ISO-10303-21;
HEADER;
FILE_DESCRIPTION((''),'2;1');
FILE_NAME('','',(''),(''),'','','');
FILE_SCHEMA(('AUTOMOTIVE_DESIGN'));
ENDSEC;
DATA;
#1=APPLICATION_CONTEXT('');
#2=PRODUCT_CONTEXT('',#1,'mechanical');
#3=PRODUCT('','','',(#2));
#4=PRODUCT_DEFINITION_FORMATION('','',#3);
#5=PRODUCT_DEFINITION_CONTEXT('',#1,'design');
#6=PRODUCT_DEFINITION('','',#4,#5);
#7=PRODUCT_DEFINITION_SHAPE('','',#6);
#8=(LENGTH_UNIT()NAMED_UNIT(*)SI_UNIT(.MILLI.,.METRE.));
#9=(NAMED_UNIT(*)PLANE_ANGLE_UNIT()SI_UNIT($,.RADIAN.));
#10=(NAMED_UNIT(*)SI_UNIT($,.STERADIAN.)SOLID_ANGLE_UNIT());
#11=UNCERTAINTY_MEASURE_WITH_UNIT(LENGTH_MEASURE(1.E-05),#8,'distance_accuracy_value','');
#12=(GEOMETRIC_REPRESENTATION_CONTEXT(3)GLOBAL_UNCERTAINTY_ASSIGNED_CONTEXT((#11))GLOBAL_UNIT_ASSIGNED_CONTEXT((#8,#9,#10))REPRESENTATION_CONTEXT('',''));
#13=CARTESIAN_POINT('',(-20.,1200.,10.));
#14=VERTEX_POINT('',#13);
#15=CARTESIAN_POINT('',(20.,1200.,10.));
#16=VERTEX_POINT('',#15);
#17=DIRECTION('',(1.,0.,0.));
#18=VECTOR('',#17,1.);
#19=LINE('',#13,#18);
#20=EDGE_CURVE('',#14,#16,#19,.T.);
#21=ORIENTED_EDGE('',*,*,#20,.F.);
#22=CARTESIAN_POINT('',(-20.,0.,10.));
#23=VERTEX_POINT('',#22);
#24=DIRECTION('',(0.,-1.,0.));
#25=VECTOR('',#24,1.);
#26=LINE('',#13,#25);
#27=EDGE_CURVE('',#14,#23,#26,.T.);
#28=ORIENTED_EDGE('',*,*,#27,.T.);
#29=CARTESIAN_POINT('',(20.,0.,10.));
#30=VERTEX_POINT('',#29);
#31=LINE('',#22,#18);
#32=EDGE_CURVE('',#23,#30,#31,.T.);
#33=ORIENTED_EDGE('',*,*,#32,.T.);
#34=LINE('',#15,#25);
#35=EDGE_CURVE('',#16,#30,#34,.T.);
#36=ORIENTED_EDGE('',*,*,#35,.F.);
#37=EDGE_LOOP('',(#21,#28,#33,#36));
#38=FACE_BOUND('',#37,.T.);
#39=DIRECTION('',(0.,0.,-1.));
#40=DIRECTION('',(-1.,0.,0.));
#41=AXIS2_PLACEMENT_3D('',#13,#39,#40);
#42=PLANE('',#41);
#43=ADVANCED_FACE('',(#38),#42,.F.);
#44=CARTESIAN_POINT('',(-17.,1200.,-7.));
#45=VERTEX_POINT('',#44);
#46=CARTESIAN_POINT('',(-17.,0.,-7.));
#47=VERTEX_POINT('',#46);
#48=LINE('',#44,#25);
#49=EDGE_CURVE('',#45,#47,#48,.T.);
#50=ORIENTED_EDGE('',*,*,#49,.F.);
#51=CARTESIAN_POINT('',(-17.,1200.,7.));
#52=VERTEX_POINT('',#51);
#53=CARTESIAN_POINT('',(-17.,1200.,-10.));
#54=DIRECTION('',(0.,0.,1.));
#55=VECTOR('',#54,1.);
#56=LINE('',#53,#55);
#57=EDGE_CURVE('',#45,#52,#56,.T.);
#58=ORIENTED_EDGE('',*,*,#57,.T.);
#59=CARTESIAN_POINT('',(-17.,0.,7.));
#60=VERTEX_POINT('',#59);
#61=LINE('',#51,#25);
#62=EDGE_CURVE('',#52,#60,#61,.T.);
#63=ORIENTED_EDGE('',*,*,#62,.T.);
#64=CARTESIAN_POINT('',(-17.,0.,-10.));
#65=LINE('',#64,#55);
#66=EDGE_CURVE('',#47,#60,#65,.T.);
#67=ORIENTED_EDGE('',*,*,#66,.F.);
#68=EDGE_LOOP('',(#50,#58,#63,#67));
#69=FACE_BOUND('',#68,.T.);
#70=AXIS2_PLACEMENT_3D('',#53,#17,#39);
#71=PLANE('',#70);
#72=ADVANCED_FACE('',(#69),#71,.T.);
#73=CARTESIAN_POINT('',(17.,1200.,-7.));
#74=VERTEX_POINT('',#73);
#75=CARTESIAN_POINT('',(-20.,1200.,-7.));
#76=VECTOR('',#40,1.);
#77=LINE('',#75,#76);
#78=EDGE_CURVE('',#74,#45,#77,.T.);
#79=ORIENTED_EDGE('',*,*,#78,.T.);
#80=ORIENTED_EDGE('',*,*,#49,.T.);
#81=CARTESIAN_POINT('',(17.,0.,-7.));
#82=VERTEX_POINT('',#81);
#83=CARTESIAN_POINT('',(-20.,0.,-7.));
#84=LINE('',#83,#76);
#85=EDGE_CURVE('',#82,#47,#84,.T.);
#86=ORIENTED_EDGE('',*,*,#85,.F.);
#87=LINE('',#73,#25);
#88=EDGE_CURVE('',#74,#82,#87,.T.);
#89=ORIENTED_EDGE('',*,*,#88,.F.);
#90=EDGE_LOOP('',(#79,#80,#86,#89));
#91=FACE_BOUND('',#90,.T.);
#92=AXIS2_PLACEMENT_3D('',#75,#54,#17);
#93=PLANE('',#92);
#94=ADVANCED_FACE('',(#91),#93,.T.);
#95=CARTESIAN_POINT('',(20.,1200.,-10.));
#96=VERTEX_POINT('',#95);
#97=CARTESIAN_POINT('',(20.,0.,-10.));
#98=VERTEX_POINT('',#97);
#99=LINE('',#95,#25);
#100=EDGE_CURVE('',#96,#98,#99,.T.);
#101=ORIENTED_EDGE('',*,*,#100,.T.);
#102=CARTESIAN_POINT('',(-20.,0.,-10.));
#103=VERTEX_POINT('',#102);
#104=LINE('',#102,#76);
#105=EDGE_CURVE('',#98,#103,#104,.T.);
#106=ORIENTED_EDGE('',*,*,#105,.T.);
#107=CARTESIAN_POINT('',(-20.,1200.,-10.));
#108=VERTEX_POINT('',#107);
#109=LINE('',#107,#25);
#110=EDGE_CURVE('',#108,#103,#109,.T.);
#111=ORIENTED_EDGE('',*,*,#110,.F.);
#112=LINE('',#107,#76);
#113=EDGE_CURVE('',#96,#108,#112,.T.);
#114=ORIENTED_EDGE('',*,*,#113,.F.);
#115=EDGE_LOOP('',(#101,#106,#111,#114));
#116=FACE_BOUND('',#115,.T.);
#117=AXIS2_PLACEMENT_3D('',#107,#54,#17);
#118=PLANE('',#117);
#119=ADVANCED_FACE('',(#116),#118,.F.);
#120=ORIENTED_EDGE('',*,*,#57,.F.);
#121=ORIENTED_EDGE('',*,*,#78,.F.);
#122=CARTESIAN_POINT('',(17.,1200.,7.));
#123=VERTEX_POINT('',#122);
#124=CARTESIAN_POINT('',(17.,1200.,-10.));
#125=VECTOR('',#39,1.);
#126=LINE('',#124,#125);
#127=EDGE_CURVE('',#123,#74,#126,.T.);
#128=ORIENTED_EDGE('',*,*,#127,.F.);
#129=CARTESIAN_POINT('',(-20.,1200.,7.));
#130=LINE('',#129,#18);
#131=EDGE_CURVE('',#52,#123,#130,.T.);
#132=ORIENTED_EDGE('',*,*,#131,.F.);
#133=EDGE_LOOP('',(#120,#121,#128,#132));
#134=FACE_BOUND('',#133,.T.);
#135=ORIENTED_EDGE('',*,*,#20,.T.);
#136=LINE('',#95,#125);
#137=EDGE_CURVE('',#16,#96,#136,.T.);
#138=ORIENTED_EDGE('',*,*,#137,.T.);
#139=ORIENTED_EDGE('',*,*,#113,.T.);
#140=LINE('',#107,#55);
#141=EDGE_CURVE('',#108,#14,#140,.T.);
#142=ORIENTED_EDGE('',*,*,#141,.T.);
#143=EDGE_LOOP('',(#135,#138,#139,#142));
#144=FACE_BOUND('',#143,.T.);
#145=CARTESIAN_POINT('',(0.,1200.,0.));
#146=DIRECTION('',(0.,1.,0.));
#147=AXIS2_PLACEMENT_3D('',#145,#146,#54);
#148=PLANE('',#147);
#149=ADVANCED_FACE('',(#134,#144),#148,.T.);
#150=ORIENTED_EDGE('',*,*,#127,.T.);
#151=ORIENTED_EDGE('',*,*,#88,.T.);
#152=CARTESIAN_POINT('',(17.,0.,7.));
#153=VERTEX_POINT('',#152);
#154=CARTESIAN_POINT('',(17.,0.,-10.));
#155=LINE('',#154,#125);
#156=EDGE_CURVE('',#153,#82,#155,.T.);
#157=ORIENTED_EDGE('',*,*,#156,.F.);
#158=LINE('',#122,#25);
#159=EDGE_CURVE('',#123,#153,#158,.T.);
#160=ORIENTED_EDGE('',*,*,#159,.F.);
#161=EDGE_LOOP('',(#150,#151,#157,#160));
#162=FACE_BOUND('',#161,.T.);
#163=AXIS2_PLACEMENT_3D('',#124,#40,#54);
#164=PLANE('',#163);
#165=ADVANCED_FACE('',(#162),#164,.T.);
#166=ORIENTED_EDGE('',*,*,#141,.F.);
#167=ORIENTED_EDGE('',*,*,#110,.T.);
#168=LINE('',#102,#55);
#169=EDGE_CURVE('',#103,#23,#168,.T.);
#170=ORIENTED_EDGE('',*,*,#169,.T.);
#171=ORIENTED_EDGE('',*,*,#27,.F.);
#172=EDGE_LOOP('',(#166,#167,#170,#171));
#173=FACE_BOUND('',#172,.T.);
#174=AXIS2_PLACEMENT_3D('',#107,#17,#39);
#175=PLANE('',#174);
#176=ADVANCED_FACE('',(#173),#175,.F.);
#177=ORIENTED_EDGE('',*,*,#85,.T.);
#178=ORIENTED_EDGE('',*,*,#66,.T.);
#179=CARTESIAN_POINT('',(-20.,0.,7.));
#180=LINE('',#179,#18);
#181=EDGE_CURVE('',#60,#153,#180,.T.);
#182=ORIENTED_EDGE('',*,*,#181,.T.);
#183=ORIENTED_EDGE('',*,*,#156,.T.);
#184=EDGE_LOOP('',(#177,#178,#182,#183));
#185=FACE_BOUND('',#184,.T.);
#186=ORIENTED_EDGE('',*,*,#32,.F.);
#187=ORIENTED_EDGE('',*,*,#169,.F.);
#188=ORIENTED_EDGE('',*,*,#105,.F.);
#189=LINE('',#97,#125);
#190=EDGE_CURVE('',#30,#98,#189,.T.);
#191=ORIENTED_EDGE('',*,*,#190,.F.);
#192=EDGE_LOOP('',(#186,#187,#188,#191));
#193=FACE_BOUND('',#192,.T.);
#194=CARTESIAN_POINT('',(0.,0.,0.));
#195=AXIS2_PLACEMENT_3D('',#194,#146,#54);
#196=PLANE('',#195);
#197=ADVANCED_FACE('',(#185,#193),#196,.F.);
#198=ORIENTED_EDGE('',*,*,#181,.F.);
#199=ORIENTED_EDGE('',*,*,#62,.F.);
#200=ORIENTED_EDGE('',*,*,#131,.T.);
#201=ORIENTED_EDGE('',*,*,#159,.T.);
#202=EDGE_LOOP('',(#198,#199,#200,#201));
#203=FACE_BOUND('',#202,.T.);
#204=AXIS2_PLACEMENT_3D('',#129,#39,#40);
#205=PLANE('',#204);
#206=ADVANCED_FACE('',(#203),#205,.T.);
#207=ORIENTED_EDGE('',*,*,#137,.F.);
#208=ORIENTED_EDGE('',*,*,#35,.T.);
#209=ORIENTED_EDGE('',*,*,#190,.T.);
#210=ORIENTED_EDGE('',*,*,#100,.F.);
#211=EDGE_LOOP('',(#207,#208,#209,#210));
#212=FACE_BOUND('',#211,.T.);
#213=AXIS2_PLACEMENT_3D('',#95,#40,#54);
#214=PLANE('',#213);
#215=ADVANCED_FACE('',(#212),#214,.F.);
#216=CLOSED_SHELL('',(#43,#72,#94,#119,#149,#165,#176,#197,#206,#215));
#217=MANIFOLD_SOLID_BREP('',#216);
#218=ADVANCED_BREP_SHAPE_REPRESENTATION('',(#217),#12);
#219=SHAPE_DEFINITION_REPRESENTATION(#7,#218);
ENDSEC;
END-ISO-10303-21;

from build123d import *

# Parameters (mm, degrees)
SKETCH_1_W      = 40
SKETCH_1_H      = 20
SKETCH_1_W_2    = 34
SKETCH_1_H_2    = 14
EXTRUDE_1_DEPTH = 1200


with BuildPart() as part:
    # Эскиз1 → Вытянуть-Тонкостенный1 (new body)
    with BuildSketch(Plane(origin=(0, 0, 0), x_dir=(1, 0, 0), z_dir=(0, 1, 0))):
        Rectangle(SKETCH_1_W, SKETCH_1_H)
        Rectangle(SKETCH_1_W_2, SKETCH_1_H_2, mode=Mode.SUBTRACT)
    extrude(amount=EXTRUDE_1_DEPTH)


solid = part.part
